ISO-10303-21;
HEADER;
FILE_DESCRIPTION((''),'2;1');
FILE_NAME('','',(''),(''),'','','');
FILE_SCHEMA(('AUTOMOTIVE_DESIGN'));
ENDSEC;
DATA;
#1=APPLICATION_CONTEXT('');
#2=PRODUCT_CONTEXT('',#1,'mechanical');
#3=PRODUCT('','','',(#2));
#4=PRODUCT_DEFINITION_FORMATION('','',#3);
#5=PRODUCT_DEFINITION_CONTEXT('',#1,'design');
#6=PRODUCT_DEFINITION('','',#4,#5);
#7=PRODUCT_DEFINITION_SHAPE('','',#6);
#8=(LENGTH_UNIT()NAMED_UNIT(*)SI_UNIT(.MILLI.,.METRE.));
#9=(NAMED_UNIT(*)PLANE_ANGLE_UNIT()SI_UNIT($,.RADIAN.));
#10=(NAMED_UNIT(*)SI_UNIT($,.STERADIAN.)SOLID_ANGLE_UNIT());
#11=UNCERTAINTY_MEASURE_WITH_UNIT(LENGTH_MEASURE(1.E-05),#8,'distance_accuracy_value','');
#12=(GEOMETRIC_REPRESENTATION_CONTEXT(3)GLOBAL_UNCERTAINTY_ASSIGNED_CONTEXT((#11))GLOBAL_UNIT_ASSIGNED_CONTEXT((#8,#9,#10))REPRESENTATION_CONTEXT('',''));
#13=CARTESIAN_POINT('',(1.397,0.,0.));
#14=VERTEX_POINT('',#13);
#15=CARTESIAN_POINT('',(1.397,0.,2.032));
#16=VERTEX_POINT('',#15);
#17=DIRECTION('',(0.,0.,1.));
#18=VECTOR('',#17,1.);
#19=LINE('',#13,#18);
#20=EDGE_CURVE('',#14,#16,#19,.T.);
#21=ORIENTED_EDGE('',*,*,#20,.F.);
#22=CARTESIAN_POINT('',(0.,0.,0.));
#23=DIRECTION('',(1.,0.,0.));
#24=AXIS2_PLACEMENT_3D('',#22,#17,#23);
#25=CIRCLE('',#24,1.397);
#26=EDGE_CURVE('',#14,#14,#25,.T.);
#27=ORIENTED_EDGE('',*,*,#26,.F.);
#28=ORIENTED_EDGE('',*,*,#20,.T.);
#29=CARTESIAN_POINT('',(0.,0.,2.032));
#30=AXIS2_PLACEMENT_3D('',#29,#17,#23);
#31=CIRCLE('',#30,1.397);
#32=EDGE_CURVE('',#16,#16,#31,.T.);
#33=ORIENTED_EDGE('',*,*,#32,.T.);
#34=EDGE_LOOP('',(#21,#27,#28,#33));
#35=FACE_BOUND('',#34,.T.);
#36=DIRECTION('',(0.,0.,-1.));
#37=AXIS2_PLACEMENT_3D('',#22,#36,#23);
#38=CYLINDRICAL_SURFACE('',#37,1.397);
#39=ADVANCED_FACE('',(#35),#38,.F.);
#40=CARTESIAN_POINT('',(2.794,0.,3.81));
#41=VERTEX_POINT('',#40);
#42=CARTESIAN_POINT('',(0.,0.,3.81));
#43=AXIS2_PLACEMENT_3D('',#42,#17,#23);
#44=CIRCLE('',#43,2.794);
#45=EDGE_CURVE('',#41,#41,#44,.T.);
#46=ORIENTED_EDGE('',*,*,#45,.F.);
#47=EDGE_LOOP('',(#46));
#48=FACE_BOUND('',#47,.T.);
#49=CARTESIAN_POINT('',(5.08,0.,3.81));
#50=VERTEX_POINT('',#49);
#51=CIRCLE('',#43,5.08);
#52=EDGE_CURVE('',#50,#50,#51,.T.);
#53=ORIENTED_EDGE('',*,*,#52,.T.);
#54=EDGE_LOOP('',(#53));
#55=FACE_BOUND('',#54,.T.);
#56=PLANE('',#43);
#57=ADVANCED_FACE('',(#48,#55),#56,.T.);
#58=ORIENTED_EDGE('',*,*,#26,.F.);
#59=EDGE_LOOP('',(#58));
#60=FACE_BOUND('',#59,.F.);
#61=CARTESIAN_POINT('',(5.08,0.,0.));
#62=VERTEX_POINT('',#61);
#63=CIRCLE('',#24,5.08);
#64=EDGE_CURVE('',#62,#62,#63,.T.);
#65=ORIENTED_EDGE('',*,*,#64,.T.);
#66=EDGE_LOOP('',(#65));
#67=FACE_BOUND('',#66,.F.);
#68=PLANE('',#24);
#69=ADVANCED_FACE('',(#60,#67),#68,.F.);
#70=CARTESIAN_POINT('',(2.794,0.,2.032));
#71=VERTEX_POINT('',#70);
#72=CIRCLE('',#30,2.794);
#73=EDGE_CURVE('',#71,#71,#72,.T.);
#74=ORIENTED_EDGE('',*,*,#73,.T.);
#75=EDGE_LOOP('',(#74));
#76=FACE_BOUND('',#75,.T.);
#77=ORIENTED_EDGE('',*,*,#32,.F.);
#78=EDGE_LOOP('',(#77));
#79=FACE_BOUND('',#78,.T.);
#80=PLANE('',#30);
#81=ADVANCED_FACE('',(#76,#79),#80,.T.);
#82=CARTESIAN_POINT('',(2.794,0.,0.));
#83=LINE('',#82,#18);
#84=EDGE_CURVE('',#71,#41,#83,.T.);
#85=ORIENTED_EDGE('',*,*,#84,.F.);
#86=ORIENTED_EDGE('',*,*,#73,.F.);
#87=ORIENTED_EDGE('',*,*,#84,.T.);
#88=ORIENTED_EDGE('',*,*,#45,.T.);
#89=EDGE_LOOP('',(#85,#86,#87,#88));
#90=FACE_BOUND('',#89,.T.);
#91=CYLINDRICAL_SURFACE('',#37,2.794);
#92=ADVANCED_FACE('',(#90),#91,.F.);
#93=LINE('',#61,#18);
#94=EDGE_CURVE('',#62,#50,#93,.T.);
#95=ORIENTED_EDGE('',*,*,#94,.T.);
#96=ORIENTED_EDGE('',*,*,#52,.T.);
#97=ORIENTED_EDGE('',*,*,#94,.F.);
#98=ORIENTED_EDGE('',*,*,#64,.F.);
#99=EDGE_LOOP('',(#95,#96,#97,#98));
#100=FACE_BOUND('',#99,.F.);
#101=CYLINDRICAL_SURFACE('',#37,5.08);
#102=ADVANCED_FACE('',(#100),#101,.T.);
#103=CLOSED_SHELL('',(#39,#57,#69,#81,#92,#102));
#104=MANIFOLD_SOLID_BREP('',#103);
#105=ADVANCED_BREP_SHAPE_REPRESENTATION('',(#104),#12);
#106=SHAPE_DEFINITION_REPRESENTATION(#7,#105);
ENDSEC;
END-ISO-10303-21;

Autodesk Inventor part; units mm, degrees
ref_plane "YZ Plane" through (0, 0, 0) normal (1, 0, 0) x (0, 1, 0)
ref_plane "XZ Plane" through (0, 0, 0) normal (0, 1, 0) x (-1, 0, 0)
ref_plane "XY Plane" through (0, 0, 0) normal (0, 0, 1) x (1, 0, 0)
sketch "Sketch1" plane through (0, 0, 0) normal (0, 0, 1) x (1, 0, 0)
  circle A0 centre (0, 0) radius 2.794
  circle A1 centre (0, 0) radius 5.08
  circle A2 centre (0, 0) radius 1.397
  dimension "d0" = 5.588
  dimension "d1" = 10.16
  dimension "d2" = 2.794
extrude "Extrusion1" add sketch "Sketch1" along normal blind 2.032 contours A0
extrude "Extrusion2" add sketch "Sketch1" along normal blind 3.81 contours A1
properties part number "Washer"
